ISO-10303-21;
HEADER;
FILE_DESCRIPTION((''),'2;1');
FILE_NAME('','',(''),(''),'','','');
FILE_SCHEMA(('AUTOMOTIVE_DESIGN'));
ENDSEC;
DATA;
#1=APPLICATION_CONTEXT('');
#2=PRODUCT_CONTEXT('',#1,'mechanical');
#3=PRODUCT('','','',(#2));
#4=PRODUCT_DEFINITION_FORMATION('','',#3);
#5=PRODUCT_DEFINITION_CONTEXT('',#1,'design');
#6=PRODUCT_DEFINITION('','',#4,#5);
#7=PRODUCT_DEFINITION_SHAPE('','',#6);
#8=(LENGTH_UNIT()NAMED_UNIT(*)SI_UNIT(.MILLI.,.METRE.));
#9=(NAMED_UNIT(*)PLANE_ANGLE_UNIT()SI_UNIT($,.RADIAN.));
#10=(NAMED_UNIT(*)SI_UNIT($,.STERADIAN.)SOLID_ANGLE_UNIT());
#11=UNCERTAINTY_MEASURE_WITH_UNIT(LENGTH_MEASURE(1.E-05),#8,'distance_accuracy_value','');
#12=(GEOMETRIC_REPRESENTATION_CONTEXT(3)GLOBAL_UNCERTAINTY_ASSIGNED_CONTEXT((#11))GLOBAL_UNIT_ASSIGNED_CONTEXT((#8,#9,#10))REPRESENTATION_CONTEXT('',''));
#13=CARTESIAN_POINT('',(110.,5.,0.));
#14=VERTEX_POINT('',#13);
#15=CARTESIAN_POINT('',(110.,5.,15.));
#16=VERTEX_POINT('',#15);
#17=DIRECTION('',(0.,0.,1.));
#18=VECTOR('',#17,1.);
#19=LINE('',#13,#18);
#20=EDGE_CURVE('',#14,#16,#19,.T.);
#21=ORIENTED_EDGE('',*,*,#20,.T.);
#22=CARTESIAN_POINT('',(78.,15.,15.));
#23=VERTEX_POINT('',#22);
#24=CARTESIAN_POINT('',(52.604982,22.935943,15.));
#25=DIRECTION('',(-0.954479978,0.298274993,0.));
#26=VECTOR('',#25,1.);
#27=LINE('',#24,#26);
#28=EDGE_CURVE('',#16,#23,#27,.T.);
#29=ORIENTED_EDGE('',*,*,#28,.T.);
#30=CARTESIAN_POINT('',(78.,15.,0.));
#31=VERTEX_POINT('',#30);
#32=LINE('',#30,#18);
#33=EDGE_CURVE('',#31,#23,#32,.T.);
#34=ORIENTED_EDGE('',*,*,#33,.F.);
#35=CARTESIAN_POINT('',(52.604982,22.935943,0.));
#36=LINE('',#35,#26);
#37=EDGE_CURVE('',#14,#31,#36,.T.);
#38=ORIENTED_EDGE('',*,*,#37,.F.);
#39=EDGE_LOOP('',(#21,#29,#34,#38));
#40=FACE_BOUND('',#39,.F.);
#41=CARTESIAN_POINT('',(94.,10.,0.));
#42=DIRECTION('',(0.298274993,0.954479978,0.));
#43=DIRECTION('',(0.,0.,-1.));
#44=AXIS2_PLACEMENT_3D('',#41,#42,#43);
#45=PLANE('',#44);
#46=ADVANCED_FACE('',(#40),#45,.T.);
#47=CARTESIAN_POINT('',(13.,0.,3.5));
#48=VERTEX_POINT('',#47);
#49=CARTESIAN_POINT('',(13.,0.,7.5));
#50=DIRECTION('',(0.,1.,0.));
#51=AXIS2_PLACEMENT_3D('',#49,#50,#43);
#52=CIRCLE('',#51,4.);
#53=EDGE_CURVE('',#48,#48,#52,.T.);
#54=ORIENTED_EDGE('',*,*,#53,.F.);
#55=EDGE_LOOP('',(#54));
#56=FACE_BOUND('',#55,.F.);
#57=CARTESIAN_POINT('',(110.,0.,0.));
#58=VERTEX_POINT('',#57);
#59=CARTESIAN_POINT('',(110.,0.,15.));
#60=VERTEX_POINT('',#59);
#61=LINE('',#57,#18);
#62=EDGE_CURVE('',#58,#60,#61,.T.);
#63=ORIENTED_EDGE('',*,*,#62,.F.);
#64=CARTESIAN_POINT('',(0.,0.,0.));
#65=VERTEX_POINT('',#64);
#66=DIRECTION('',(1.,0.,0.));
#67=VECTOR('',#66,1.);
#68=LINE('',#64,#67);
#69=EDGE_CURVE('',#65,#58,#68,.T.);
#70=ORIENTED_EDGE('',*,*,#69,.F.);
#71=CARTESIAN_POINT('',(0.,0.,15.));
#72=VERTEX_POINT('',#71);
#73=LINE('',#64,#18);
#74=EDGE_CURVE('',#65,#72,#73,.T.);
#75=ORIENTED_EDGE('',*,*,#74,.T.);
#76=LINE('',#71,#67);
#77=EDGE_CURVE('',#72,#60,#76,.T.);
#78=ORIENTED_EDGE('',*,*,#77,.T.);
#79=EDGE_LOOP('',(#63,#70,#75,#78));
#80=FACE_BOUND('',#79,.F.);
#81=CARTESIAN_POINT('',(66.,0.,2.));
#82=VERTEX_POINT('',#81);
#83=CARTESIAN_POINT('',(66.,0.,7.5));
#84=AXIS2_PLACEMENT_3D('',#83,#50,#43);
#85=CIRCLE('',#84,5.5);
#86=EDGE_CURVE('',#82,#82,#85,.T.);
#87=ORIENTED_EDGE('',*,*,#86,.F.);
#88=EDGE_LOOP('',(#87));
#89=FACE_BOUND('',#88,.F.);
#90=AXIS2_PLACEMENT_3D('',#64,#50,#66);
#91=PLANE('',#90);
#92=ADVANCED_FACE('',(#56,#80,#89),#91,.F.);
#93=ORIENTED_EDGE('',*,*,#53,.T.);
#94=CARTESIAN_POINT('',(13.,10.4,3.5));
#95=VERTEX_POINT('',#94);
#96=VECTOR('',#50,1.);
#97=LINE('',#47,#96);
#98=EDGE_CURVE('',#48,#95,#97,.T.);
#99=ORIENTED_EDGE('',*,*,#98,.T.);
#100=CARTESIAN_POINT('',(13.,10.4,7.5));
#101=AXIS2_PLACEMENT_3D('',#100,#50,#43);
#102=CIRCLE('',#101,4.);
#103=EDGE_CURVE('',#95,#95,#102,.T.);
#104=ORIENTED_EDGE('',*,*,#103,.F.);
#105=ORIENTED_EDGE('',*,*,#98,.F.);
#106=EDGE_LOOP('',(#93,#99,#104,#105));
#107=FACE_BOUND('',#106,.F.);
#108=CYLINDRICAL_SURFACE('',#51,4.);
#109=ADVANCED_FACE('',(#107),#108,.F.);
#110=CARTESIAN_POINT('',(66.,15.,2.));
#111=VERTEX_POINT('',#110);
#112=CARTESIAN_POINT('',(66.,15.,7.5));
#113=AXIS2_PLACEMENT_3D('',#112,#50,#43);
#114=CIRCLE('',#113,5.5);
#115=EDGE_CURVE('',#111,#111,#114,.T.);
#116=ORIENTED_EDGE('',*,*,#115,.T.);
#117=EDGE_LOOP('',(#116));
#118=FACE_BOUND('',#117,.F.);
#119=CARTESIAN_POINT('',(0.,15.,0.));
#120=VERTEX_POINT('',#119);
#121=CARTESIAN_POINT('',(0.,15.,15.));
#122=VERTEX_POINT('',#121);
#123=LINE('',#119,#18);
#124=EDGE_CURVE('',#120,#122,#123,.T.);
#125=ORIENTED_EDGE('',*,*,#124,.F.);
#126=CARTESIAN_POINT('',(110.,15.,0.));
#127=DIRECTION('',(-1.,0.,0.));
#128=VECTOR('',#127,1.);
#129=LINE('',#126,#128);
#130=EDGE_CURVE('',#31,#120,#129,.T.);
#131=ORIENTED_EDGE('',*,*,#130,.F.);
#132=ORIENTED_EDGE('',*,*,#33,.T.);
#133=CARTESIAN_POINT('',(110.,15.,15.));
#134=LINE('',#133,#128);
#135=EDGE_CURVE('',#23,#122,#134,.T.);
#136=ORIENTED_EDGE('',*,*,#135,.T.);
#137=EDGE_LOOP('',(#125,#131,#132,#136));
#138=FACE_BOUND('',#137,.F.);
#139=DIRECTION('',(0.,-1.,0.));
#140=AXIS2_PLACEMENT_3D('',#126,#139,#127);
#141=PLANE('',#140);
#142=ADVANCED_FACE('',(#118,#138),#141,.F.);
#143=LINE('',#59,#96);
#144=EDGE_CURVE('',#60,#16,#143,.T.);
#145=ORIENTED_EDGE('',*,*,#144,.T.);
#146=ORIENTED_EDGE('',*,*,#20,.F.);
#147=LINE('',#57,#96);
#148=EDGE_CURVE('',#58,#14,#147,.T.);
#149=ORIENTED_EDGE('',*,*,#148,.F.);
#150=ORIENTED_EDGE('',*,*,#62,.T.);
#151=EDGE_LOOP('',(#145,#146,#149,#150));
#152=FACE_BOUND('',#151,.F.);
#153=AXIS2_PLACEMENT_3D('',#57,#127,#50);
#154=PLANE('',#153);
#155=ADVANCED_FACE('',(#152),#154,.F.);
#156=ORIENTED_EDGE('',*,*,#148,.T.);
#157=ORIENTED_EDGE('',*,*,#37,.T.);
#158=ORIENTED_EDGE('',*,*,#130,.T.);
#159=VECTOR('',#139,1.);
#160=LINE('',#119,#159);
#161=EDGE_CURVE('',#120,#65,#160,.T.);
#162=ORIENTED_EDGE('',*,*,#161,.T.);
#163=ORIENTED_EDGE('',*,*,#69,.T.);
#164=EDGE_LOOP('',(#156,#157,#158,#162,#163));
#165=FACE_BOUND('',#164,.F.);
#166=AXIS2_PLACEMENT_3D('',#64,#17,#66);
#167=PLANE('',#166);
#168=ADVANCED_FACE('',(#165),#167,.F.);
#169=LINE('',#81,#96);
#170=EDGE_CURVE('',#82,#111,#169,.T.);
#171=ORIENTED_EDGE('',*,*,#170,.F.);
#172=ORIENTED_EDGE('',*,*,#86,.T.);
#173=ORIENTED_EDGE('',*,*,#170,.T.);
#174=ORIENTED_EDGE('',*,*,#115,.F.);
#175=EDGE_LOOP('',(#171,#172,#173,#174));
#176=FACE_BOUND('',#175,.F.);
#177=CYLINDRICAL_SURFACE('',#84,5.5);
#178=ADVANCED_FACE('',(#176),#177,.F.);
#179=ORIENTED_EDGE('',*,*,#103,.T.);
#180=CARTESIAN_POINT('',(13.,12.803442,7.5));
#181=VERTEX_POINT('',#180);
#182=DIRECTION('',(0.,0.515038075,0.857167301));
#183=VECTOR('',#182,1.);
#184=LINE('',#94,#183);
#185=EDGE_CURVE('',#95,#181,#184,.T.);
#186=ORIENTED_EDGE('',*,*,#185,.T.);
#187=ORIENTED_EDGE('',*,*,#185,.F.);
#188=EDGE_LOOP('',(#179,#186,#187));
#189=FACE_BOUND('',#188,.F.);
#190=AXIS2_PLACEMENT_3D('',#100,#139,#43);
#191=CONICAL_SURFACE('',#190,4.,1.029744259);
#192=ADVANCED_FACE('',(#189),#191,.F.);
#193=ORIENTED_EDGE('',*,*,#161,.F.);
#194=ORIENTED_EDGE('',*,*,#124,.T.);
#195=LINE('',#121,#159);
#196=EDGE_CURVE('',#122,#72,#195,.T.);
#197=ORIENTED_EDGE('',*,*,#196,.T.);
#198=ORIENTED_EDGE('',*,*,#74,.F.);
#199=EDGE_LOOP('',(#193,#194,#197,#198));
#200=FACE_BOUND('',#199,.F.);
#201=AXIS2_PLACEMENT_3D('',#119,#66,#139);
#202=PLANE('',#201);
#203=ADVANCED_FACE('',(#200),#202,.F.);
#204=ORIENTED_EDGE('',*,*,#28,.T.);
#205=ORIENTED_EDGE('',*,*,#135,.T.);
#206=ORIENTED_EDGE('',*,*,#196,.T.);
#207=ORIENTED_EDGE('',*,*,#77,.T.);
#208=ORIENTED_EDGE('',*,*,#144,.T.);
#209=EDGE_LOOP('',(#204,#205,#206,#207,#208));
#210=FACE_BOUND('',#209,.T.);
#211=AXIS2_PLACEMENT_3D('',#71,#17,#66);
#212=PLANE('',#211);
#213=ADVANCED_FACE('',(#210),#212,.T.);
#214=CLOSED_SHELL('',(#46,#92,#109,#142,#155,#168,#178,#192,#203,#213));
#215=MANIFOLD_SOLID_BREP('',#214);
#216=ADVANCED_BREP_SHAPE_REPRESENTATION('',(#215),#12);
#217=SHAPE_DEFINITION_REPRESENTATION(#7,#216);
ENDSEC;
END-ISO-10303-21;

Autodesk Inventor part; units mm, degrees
ref_plane "YZ Plane" through (0, 0, 0) normal (1, 0, 0) x (0, 1, 0)
ref_plane "XZ Plane" through (0, 0, 0) normal (0, 1, 0) x (-1, 0, 0)
ref_plane "XY Plane" through (0, 0, 0) normal (0, 0, 1) x (1, 0, 0)
sketch "Esboço1" plane through (0, 0, 0) normal (0, 0, 1) x (1, 0, 0)
  line L0 (0, 0) -> (110, 0)
  line L1 (110, 0) -> (110, 15)
  line L2 (110, 15) -> (0, 15)
  line L3 (0, 15) -> (0, 0)
  dimension "d0" = 110
  dimension "d1" = 15
extrude "Extrusão1" add sketch "Esboço1" along normal blind 15
chamfer "Chanfro1" distance 10 distance2 32 1 edges at (110, 15, 7.5) measured on face at (110, 5, 5)
sketch "Esboço2" plane through (0, 0, 0) normal (0, -1, 0) x (1, 0, 0)
  line L0 (0, 15) -> (110, 15) projected
  line L1 (0, 0) -> (0, 15) projected
  point P0 (13, 7.5)
  dimension "d7" = 7.5
  dimension "d8" = 13
hole "Furo1" at (13, 0, 7.5) direction (0, 1, 0) diameter 8 depth 10.4 tip angle 118
sketch "Esboço3" plane through (0, 0, 0) normal (0, -1, 0) x (1, 0, 0)
  point P0 (0, 0)
sketch "Esboço4" plane through (0, 0, 0) normal (0, -1, 0) x (1, 0, 0)
  circle A0 centre (13, 7.5) radius 4 projected
  point P0 (0, 0)
  point P1 (66, 7.5)
  dimension "d17" = 53
hole "Furo2" at (66, 0, 7.5) direction (0, 1, 0) diameter 11 end through all
properties part number "Garra1"
